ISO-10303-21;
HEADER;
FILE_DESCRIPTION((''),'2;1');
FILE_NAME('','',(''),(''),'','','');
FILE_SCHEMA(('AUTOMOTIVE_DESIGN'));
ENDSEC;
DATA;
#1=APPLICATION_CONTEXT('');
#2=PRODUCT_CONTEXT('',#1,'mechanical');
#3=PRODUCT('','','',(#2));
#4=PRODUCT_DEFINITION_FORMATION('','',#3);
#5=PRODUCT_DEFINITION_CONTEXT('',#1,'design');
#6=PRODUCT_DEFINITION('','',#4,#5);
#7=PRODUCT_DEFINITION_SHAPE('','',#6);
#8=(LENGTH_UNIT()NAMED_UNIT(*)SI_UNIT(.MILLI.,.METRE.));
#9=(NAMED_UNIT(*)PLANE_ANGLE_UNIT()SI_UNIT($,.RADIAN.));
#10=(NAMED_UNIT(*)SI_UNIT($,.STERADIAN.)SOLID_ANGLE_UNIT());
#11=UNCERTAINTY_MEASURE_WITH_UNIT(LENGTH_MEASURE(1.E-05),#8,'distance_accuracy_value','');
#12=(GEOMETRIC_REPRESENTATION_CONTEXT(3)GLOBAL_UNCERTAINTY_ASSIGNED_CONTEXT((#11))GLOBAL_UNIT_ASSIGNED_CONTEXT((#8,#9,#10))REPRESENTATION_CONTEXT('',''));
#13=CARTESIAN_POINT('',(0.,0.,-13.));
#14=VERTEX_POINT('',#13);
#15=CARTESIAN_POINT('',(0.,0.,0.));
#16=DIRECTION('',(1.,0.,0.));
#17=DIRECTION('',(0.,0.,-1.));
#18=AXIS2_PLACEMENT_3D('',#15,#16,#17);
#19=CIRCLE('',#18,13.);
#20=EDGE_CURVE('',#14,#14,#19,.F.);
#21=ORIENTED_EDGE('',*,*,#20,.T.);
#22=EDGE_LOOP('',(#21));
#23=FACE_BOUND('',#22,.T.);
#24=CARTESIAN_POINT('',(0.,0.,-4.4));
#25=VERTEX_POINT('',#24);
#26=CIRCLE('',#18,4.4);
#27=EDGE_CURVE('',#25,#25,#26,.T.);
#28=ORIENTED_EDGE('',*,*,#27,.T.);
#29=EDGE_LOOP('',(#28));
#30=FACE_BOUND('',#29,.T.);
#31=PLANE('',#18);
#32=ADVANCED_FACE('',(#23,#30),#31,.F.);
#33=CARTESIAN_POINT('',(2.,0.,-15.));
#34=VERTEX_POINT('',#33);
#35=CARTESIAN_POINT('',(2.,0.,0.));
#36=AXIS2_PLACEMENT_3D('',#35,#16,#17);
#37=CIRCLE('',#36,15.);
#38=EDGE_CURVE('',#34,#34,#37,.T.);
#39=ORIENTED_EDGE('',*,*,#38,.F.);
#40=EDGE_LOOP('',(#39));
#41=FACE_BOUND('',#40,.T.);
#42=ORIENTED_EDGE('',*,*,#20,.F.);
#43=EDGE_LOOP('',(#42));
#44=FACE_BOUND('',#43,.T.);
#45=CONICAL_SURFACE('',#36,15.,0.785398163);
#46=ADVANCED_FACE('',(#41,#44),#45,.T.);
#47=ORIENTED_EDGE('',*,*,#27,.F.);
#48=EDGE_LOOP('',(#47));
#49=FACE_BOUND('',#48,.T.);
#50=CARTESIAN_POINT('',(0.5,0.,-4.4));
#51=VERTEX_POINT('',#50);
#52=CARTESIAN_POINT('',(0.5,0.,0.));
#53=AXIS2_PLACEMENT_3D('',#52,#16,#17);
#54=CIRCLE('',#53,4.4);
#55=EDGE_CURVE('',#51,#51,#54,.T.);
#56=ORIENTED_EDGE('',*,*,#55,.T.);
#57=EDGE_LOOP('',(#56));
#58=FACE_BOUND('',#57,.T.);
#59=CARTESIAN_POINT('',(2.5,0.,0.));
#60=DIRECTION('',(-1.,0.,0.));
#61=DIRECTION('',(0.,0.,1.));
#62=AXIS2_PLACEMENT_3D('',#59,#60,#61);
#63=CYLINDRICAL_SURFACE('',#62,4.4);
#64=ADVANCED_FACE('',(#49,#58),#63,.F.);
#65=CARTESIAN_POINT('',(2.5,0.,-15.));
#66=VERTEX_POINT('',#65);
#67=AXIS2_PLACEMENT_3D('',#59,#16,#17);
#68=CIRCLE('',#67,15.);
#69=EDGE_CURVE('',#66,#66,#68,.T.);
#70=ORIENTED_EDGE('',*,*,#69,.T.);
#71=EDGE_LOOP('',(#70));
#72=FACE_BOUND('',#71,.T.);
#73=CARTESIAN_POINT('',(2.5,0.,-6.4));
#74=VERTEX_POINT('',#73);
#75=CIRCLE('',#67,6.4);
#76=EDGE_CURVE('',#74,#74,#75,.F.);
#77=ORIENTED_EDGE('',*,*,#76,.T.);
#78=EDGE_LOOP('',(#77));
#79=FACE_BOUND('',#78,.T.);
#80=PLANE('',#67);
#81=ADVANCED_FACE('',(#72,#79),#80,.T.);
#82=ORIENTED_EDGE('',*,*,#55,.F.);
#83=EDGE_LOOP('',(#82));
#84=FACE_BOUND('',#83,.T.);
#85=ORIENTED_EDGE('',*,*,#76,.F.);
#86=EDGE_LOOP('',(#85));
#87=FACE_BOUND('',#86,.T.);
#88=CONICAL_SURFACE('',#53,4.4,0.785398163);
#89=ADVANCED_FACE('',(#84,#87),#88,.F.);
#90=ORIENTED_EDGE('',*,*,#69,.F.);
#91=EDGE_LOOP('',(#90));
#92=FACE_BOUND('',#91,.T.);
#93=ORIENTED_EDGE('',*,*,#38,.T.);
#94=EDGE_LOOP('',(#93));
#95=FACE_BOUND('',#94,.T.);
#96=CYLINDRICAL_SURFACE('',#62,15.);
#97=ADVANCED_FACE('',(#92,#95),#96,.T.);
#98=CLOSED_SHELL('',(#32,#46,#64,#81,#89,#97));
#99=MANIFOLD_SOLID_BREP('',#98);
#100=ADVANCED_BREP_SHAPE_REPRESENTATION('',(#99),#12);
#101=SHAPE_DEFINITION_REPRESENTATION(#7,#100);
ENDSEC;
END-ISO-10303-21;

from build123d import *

# Parameters (mm, degrees)
SKETCH1_R          = 15
SKETCH1_R_2        = 4.4
BASE_EXTRUDE_DEPTH = 2.5
CHAMFER1_SIZE      = 2


with BuildPart() as part:
    # Sketch1 → Base-Extrude (new body)
    with BuildSketch(Plane(origin=(0, 0, 0), x_dir=(0, 0, -1), z_dir=(1, 0, 0))):
        Circle(SKETCH1_R)
        Circle(SKETCH1_R_2, mode=Mode.SUBTRACT)
    extrude(amount=BASE_EXTRUDE_DEPTH)

    # Chamfer1
    chamfer1_edges = [part.edges().sort_by_distance(p)[0] for p in [
        (0, 0, 15),
        (2.5, 0, 4.4),
    ]]
    chamfer(chamfer1_edges, length=CHAMFER1_SIZE)


solid = part.part
